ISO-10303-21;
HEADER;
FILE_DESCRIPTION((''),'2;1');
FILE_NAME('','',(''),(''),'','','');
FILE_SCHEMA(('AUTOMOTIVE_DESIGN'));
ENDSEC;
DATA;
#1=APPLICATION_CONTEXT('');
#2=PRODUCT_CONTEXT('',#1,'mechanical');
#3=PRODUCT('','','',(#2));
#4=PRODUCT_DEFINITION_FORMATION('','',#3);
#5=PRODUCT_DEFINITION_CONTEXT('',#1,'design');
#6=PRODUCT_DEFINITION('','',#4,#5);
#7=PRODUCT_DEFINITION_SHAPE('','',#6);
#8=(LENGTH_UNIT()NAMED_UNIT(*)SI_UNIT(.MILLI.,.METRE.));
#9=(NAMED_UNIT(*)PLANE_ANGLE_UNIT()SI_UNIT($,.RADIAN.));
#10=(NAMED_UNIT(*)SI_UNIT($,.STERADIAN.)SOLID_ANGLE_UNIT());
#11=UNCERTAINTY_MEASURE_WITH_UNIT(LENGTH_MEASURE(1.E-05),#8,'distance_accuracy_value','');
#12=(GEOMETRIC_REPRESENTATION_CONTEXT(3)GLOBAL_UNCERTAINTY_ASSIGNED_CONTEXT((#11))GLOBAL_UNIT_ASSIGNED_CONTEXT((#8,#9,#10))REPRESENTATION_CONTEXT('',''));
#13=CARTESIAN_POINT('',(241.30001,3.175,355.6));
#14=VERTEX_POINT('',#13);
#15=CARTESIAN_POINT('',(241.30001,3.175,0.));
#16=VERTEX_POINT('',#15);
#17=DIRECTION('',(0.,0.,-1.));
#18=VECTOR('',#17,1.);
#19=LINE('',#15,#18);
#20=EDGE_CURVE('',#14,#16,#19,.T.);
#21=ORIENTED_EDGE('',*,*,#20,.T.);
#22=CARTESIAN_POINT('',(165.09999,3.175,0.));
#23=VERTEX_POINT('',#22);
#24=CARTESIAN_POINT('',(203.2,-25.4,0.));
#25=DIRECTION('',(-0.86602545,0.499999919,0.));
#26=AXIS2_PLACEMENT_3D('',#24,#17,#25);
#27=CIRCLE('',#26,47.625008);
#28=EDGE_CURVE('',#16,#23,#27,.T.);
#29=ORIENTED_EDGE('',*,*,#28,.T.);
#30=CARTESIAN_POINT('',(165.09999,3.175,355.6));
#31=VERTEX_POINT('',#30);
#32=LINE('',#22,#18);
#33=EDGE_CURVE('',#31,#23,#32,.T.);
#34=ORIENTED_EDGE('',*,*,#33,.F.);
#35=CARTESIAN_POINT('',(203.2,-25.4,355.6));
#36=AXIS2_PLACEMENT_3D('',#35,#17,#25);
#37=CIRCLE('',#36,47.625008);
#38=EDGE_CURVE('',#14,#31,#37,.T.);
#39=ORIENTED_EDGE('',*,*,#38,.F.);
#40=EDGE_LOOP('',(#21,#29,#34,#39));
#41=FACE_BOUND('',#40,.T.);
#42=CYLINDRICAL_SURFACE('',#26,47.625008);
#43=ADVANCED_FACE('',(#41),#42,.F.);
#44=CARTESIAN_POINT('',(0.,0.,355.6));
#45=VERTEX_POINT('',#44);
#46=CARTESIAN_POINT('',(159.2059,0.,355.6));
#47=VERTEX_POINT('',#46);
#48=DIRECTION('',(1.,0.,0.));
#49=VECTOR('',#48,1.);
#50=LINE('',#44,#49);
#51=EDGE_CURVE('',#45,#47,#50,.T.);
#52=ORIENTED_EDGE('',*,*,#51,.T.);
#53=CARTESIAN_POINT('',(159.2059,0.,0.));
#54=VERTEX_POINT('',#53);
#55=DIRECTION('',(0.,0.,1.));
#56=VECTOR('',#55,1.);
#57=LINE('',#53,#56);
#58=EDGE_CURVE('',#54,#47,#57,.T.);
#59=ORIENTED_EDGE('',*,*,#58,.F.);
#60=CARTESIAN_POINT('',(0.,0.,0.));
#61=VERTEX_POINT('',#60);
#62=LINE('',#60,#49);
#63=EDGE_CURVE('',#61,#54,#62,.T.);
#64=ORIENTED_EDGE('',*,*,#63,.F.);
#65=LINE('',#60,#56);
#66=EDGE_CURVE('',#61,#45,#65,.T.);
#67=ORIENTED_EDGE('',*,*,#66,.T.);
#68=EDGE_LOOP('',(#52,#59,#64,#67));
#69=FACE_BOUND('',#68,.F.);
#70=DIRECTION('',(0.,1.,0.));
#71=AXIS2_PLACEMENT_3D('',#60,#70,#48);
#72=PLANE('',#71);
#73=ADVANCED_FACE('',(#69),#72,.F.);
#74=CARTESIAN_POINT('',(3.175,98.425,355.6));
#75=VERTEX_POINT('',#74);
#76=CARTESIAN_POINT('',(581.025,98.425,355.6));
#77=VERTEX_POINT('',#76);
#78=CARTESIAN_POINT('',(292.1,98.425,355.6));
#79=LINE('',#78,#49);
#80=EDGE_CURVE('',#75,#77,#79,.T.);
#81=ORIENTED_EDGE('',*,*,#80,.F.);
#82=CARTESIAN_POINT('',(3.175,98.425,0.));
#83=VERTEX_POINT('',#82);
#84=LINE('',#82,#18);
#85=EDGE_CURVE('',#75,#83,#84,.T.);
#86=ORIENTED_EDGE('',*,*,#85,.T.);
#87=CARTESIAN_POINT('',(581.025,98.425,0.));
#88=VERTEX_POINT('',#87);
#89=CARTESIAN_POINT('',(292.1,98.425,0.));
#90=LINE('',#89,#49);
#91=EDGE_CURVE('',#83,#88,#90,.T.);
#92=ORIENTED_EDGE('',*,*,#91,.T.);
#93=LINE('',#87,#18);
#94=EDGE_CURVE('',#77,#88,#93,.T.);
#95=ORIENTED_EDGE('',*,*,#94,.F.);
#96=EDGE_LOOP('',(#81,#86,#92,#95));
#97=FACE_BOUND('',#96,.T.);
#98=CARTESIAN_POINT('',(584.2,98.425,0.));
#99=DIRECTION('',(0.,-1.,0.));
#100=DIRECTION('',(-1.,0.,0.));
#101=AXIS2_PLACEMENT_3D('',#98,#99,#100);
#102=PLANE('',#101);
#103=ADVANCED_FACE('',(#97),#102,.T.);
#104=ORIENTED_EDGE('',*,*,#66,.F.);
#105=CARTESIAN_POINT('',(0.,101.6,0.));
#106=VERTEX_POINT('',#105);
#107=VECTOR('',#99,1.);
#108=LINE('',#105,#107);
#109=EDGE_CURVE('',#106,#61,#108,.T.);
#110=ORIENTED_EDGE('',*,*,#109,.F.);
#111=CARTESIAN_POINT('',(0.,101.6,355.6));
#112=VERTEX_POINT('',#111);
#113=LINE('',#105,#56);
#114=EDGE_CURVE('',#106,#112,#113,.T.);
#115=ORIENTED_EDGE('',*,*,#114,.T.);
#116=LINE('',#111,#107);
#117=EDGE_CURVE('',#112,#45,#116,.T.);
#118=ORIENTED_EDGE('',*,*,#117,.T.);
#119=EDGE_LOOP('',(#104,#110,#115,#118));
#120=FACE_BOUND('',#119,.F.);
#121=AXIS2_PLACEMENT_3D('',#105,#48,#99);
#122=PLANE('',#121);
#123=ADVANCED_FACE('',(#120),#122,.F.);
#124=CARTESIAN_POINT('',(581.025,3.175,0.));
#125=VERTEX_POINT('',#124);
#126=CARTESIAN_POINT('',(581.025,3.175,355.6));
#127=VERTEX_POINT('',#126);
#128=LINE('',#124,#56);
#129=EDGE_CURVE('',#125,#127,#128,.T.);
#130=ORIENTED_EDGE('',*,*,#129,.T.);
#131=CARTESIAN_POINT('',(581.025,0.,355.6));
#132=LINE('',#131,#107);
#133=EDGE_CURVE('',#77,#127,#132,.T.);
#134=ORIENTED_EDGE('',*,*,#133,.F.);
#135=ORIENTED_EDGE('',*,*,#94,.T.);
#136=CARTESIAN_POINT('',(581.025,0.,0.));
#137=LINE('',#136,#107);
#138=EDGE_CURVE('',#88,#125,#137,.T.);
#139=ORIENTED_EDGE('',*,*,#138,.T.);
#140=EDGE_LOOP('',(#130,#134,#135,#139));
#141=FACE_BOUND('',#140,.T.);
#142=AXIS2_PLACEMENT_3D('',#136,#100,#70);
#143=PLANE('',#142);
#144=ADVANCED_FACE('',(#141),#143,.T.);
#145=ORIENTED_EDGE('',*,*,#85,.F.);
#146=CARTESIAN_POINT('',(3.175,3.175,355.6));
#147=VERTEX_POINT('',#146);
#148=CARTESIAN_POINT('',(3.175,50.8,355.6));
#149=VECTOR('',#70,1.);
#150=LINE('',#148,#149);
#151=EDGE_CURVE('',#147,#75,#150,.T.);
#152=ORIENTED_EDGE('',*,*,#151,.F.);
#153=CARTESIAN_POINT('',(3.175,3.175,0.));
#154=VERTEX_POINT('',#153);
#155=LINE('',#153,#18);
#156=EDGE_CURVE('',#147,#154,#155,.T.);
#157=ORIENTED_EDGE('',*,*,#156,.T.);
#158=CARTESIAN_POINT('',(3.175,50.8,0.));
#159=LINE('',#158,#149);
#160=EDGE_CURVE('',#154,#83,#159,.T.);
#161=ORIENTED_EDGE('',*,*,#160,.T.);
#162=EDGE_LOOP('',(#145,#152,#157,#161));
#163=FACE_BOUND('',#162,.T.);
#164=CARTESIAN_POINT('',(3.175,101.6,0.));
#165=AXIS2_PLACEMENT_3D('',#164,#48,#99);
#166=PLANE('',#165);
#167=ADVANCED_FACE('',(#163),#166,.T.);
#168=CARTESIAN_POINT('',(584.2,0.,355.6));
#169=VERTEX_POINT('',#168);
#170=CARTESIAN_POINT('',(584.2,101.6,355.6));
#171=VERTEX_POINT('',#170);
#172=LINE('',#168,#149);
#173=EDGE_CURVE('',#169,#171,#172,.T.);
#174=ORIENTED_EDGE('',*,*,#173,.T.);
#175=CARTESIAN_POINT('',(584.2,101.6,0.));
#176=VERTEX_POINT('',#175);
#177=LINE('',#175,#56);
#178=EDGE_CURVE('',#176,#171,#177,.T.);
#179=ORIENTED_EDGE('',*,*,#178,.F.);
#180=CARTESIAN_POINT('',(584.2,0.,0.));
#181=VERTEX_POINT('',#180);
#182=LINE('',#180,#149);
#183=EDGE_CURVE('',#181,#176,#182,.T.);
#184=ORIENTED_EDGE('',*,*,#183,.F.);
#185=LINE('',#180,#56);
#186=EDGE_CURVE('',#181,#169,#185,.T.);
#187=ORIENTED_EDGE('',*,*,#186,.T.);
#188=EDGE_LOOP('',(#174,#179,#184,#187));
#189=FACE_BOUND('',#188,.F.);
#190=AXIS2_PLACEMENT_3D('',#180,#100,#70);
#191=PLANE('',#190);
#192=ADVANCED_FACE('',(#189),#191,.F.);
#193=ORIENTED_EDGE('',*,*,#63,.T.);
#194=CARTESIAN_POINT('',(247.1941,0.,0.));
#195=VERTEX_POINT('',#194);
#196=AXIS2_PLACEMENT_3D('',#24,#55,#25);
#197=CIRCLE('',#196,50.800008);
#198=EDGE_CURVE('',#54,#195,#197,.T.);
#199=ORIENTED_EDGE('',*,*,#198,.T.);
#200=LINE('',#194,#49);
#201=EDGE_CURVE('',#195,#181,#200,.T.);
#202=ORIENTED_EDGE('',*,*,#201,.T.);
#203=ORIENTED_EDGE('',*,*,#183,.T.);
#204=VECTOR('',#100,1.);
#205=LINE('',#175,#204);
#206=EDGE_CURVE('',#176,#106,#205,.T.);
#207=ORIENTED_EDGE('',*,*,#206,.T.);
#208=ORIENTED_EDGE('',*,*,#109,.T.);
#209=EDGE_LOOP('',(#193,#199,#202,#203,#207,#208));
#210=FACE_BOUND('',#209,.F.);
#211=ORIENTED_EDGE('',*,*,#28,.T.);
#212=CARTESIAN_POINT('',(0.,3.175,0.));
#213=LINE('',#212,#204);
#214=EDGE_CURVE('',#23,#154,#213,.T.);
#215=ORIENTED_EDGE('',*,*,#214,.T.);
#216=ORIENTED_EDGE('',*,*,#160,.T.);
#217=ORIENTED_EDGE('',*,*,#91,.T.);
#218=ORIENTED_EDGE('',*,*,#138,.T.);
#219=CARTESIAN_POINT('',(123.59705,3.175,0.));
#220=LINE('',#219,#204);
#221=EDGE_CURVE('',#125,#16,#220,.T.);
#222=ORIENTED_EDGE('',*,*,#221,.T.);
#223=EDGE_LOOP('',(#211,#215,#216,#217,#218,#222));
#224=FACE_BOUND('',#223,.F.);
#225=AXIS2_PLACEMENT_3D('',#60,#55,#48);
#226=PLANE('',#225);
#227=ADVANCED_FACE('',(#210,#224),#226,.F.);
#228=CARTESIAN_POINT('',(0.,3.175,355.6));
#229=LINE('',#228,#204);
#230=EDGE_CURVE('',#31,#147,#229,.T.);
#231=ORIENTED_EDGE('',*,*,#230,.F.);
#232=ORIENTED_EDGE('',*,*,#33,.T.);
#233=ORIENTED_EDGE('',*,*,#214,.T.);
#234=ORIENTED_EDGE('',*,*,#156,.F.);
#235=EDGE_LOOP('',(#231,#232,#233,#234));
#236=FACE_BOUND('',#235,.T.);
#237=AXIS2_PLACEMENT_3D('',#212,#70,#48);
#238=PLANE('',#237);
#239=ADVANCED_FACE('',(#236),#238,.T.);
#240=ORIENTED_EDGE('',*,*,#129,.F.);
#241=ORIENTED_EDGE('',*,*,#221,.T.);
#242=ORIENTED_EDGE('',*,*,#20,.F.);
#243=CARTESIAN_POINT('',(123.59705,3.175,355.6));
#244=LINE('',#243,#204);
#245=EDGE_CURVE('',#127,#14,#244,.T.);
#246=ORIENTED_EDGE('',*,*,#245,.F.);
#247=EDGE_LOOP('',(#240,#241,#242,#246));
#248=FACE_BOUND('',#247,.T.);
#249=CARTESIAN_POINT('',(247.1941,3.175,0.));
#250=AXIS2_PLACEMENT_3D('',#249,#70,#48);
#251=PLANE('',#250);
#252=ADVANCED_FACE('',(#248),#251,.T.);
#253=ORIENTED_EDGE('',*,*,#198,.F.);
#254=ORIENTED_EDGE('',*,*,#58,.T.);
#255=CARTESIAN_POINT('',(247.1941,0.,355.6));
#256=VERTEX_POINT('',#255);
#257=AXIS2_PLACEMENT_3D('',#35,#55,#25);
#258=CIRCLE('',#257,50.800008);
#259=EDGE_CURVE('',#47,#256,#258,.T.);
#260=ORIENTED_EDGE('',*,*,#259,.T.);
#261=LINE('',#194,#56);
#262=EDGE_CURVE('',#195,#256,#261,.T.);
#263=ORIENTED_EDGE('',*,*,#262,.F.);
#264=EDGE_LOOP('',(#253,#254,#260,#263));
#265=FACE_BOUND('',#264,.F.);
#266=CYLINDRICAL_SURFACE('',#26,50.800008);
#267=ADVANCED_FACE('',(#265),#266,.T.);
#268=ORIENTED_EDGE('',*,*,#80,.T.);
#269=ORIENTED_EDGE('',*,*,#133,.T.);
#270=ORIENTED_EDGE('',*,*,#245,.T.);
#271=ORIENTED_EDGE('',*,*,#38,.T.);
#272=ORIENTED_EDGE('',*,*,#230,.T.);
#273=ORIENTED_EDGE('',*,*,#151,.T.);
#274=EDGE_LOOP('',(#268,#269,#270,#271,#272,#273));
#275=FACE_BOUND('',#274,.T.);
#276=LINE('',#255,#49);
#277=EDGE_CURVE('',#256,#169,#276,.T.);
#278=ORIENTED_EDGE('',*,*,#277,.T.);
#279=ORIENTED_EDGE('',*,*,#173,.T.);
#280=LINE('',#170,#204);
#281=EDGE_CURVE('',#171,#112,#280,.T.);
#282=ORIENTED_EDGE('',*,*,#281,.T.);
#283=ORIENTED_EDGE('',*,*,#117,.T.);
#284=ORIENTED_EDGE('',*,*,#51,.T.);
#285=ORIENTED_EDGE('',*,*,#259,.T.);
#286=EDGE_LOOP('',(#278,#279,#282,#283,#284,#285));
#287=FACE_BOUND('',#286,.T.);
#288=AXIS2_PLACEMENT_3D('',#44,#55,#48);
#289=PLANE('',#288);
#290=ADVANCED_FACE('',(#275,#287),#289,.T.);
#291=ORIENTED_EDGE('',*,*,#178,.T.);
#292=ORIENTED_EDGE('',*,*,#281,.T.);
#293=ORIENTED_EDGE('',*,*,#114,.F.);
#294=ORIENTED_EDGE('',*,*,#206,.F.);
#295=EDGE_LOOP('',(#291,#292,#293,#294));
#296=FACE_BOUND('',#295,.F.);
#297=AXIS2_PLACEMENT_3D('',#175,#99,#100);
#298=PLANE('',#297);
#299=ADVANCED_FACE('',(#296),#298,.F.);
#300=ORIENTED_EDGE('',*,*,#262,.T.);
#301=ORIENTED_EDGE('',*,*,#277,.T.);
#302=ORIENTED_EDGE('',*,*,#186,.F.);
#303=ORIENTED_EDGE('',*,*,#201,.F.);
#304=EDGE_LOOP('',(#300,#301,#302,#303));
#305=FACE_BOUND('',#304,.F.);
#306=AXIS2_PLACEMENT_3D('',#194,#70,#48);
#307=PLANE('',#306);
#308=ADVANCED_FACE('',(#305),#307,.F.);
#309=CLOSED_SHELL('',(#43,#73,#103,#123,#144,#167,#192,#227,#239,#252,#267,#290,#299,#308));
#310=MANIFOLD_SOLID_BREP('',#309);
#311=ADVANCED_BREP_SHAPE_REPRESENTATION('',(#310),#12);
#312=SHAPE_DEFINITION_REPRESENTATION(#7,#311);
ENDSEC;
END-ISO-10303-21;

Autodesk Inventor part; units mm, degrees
ref_plane "YZ Plane" through (0, 0, 0) normal (1, 0, 0) x (0, 1, 0)
ref_plane "XZ Plane" through (0, 0, 0) normal (0, 1, 0) x (-1, 0, 0)
ref_plane "XY Plane" through (0, 0, 0) normal (0, 0, 1) x (1, 0, 0)
sketch "Sketch1" plane through (0, 0, 0) normal (0, 0, 1) x (1, 0, 0)
  line L0 (584.2, 0) -> (584.2, 101.6)
  line L1 (584.2, 101.6) -> (0, 101.6)
  line L2 (0, 101.6) -> (0, 0)
  line L3 (0, 0) -> (159.2059, 0)
  line L4 (247.1941, 0) -> (584.2, 0)
  arc A0 (159.2059, 0) -> (247.1941, 0) centre (203.2, -25.4) ccw
  dimension "d2" = 101.6
  dimension "d4" = 203.2
  dimension "d5" = 50.8
  dimension "d6" = 25.4
  dimension "d8" = 584.2
extrude "Extrusion1" add sketch "Sketch1" along normal blind 355.6
shell "Shell1" thickness 3.175 removed faces 2 at (277.1314, 67.7333, 0) at (277.1314, 67.7333, 355.6)
properties part number "LauncherMockup"
